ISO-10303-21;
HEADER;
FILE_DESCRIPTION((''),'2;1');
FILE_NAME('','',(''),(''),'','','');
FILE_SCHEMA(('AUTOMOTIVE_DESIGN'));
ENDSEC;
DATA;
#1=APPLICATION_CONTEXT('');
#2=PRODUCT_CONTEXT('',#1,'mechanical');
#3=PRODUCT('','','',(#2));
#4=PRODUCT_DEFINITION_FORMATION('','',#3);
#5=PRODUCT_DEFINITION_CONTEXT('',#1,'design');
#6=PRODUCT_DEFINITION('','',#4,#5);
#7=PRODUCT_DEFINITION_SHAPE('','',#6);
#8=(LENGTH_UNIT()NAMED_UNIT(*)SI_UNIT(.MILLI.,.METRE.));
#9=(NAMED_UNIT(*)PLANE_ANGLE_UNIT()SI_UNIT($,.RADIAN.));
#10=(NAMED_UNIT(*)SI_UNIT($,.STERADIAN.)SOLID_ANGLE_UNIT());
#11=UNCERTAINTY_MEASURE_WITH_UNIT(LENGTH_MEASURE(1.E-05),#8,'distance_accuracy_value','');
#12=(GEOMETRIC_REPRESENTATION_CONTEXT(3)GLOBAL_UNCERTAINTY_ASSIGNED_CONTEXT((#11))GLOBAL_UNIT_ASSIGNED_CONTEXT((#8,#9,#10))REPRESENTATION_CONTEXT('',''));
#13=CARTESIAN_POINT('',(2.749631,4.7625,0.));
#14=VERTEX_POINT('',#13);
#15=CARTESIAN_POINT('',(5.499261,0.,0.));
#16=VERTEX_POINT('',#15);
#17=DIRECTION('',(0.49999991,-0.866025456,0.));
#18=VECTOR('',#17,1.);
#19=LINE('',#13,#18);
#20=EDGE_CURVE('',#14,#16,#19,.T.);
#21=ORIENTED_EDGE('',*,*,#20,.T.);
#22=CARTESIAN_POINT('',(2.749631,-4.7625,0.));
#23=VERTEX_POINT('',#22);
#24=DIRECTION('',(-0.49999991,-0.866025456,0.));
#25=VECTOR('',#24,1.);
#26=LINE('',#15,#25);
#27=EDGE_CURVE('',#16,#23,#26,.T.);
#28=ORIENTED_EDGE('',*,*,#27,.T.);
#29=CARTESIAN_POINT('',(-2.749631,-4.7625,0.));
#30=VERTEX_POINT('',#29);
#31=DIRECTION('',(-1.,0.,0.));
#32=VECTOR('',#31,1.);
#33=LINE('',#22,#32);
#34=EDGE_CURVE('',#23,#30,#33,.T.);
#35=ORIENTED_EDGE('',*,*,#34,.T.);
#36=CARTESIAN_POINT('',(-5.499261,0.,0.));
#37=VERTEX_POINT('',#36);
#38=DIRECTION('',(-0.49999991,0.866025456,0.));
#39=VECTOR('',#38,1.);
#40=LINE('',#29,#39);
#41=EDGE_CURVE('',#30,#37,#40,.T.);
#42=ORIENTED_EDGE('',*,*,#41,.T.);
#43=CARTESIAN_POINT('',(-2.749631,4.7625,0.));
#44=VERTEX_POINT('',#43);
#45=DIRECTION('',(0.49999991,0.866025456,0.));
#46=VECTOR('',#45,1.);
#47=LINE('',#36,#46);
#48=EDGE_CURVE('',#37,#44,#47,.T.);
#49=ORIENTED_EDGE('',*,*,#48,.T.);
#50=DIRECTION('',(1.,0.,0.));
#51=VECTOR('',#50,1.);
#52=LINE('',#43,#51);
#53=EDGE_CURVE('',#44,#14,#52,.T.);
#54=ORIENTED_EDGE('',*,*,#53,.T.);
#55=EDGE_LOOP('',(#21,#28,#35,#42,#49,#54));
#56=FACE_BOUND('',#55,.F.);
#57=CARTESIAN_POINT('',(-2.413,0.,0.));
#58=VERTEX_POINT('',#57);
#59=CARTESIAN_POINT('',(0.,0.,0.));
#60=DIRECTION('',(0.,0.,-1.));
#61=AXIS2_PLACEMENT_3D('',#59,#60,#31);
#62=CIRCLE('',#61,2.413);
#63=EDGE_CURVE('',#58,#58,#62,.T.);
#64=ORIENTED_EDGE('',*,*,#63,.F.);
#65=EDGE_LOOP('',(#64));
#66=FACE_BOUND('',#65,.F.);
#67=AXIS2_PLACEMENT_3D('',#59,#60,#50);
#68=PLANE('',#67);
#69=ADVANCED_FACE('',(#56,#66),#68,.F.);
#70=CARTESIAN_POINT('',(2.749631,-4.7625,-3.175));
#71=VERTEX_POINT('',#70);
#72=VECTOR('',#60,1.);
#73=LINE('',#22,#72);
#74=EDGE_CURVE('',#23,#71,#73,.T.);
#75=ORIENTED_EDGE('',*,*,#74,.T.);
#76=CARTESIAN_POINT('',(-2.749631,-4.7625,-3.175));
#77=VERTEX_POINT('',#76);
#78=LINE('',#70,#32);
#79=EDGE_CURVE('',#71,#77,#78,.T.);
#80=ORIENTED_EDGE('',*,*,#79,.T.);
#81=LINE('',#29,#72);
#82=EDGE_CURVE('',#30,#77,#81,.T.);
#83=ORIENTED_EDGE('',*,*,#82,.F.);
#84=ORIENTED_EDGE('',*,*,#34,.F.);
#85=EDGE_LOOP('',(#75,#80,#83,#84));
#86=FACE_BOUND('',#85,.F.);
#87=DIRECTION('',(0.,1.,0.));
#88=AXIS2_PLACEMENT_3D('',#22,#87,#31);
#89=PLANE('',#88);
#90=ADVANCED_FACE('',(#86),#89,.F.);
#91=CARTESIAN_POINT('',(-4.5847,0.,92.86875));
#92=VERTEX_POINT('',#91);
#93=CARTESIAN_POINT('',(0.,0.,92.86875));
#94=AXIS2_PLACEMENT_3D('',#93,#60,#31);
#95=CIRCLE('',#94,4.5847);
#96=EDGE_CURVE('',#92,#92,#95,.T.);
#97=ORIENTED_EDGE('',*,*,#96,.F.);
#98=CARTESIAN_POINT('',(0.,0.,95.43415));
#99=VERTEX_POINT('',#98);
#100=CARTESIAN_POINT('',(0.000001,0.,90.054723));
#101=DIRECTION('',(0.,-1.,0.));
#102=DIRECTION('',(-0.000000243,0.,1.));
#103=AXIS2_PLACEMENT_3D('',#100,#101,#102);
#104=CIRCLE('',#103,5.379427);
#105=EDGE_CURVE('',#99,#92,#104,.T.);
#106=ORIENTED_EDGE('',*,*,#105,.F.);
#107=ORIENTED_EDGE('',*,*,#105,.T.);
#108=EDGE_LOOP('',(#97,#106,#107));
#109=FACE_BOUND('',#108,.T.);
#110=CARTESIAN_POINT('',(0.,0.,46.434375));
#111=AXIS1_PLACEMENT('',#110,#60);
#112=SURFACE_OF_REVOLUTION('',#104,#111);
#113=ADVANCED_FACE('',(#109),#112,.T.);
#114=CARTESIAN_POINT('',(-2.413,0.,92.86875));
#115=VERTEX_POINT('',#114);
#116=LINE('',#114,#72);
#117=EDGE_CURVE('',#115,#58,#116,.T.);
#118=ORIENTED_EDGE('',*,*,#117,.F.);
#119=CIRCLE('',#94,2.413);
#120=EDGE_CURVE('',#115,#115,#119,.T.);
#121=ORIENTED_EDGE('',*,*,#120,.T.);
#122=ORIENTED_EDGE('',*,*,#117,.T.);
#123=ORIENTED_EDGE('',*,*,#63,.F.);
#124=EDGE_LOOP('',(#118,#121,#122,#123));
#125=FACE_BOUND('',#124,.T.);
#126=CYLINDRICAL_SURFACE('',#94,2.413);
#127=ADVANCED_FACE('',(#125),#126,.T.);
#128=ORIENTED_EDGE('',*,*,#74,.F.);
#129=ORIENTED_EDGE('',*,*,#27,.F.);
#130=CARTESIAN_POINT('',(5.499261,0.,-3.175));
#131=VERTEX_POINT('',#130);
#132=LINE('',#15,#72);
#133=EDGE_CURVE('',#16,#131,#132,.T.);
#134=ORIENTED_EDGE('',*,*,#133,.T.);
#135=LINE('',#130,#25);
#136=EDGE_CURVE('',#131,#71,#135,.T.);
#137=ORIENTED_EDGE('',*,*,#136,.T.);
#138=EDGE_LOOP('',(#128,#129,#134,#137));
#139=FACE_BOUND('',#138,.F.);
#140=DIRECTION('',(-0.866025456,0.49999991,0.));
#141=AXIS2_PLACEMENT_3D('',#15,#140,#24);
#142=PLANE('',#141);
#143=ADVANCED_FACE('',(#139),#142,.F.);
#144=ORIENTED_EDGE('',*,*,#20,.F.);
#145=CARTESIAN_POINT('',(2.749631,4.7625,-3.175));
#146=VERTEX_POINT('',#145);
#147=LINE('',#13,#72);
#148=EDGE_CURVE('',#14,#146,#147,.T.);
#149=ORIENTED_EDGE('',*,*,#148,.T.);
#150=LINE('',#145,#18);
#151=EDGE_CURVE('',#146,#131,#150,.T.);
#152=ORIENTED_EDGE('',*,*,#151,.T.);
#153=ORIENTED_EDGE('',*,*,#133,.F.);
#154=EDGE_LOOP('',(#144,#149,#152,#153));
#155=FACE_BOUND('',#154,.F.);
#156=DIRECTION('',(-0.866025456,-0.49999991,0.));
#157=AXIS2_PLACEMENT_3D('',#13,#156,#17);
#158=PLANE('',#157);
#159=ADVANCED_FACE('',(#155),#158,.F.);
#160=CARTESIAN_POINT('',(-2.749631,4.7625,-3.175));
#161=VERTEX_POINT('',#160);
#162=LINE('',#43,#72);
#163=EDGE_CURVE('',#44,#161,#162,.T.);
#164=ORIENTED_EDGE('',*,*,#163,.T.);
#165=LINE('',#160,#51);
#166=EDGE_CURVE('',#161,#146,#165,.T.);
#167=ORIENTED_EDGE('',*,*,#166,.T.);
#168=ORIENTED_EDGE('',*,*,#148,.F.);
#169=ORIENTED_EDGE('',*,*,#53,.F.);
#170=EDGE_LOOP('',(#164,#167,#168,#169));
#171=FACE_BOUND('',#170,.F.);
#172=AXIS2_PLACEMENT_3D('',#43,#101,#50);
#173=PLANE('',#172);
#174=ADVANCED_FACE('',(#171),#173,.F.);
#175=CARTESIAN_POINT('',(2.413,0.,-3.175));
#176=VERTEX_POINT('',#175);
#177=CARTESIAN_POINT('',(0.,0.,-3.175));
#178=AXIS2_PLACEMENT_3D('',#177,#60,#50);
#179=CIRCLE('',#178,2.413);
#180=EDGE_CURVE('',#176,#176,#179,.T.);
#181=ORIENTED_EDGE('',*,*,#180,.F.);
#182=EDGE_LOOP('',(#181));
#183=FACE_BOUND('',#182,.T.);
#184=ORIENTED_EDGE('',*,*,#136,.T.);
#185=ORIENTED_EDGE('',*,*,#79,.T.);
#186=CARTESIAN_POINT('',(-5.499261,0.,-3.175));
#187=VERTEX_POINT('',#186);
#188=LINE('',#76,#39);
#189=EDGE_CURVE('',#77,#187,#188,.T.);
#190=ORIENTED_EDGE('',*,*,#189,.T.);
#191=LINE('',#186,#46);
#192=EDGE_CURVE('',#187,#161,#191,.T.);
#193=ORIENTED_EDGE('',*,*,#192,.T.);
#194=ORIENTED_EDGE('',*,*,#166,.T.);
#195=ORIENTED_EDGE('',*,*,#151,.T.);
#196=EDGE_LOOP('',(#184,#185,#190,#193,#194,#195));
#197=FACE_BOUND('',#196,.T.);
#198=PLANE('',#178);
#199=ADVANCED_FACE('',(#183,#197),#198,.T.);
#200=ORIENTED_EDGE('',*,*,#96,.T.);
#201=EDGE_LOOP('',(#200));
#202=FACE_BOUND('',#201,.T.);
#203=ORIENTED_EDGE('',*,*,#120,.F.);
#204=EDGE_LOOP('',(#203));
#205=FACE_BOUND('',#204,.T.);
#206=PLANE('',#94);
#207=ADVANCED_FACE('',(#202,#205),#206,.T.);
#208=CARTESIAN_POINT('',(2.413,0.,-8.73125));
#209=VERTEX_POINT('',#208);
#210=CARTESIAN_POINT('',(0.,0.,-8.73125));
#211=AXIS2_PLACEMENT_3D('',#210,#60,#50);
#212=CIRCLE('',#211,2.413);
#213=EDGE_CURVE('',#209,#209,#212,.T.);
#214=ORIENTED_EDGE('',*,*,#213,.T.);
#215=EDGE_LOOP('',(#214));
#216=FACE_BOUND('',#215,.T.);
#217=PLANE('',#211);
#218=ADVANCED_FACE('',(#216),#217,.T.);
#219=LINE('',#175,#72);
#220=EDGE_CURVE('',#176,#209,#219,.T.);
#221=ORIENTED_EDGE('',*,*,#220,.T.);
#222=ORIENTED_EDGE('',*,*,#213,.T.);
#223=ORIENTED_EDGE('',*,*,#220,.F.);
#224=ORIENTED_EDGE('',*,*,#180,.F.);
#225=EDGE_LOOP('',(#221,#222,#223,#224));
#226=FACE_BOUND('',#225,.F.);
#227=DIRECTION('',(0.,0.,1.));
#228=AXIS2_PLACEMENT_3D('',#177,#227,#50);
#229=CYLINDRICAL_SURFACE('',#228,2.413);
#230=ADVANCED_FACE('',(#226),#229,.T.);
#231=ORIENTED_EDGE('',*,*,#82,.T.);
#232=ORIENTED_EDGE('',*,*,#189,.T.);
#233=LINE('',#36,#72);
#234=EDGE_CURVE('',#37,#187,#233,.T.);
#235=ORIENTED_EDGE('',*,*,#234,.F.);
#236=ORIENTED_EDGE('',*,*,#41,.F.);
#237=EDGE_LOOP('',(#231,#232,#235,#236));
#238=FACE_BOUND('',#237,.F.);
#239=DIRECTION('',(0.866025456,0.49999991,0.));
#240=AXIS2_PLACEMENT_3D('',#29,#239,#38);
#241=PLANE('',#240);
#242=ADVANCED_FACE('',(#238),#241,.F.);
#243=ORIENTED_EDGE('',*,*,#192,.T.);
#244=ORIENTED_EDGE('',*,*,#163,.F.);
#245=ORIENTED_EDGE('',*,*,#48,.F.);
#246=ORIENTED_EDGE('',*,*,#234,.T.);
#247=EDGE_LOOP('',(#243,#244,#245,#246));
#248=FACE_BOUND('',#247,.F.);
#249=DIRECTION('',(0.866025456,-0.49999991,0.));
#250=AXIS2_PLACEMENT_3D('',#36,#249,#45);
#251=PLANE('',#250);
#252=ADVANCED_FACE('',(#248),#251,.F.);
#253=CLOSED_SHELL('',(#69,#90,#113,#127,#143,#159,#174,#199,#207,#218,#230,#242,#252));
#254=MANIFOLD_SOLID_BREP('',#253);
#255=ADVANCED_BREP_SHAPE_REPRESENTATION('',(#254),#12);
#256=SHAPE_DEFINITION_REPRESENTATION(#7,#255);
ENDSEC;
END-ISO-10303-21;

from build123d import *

# Parameters (mm, degrees)
F3_DEPTH = 3.175
F4_R     = 2.413
F5_DEPTH = 5.55625


with BuildPart() as f1:
    # F0 (on Front) → F1 (revolve)
    with BuildSketch(Plane.XZ):
        with BuildLine():
            Line((0, 0), (0, 92.86875))
            Line((0, 92.86875), (0, 95.43415))
            ThreePointArc((0, 95.43415), (-2.626821, 94.749192), (-4.5847, 92.86875))
            Line((-4.5847, 92.86875), (-2.413, 92.86875))
            Line((-2.413, 92.86875), (-2.413, 0))
            Line((-2.413, 0), (0, 0))
        make_face()
    revolve(axis=Axis((0, 0, 46.434375), (0, 0, -1)))

    # F2 (on face) → F3 (join)
    with BuildSketch(Plane(origin=(0, 0, 0), x_dir=(1, 0, 0), z_dir=(0, 0, -1))):
        Polygon((2.749631, 4.7625), (-2.749631, 4.7625), (-5.499261, 0), (-2.749631, -4.7625), (2.749631, -4.7625), (5.499261, 0), align=None)
    extrude(amount=F3_DEPTH)

    # F4 (on face) → F5 (join)
    with BuildSketch(Plane(origin=(0, 0, -3.175), x_dir=(1, 0, 0), z_dir=(0, 0, -1))):
        Circle(F4_R)
    extrude(amount=F5_DEPTH)


solid = f1.part
